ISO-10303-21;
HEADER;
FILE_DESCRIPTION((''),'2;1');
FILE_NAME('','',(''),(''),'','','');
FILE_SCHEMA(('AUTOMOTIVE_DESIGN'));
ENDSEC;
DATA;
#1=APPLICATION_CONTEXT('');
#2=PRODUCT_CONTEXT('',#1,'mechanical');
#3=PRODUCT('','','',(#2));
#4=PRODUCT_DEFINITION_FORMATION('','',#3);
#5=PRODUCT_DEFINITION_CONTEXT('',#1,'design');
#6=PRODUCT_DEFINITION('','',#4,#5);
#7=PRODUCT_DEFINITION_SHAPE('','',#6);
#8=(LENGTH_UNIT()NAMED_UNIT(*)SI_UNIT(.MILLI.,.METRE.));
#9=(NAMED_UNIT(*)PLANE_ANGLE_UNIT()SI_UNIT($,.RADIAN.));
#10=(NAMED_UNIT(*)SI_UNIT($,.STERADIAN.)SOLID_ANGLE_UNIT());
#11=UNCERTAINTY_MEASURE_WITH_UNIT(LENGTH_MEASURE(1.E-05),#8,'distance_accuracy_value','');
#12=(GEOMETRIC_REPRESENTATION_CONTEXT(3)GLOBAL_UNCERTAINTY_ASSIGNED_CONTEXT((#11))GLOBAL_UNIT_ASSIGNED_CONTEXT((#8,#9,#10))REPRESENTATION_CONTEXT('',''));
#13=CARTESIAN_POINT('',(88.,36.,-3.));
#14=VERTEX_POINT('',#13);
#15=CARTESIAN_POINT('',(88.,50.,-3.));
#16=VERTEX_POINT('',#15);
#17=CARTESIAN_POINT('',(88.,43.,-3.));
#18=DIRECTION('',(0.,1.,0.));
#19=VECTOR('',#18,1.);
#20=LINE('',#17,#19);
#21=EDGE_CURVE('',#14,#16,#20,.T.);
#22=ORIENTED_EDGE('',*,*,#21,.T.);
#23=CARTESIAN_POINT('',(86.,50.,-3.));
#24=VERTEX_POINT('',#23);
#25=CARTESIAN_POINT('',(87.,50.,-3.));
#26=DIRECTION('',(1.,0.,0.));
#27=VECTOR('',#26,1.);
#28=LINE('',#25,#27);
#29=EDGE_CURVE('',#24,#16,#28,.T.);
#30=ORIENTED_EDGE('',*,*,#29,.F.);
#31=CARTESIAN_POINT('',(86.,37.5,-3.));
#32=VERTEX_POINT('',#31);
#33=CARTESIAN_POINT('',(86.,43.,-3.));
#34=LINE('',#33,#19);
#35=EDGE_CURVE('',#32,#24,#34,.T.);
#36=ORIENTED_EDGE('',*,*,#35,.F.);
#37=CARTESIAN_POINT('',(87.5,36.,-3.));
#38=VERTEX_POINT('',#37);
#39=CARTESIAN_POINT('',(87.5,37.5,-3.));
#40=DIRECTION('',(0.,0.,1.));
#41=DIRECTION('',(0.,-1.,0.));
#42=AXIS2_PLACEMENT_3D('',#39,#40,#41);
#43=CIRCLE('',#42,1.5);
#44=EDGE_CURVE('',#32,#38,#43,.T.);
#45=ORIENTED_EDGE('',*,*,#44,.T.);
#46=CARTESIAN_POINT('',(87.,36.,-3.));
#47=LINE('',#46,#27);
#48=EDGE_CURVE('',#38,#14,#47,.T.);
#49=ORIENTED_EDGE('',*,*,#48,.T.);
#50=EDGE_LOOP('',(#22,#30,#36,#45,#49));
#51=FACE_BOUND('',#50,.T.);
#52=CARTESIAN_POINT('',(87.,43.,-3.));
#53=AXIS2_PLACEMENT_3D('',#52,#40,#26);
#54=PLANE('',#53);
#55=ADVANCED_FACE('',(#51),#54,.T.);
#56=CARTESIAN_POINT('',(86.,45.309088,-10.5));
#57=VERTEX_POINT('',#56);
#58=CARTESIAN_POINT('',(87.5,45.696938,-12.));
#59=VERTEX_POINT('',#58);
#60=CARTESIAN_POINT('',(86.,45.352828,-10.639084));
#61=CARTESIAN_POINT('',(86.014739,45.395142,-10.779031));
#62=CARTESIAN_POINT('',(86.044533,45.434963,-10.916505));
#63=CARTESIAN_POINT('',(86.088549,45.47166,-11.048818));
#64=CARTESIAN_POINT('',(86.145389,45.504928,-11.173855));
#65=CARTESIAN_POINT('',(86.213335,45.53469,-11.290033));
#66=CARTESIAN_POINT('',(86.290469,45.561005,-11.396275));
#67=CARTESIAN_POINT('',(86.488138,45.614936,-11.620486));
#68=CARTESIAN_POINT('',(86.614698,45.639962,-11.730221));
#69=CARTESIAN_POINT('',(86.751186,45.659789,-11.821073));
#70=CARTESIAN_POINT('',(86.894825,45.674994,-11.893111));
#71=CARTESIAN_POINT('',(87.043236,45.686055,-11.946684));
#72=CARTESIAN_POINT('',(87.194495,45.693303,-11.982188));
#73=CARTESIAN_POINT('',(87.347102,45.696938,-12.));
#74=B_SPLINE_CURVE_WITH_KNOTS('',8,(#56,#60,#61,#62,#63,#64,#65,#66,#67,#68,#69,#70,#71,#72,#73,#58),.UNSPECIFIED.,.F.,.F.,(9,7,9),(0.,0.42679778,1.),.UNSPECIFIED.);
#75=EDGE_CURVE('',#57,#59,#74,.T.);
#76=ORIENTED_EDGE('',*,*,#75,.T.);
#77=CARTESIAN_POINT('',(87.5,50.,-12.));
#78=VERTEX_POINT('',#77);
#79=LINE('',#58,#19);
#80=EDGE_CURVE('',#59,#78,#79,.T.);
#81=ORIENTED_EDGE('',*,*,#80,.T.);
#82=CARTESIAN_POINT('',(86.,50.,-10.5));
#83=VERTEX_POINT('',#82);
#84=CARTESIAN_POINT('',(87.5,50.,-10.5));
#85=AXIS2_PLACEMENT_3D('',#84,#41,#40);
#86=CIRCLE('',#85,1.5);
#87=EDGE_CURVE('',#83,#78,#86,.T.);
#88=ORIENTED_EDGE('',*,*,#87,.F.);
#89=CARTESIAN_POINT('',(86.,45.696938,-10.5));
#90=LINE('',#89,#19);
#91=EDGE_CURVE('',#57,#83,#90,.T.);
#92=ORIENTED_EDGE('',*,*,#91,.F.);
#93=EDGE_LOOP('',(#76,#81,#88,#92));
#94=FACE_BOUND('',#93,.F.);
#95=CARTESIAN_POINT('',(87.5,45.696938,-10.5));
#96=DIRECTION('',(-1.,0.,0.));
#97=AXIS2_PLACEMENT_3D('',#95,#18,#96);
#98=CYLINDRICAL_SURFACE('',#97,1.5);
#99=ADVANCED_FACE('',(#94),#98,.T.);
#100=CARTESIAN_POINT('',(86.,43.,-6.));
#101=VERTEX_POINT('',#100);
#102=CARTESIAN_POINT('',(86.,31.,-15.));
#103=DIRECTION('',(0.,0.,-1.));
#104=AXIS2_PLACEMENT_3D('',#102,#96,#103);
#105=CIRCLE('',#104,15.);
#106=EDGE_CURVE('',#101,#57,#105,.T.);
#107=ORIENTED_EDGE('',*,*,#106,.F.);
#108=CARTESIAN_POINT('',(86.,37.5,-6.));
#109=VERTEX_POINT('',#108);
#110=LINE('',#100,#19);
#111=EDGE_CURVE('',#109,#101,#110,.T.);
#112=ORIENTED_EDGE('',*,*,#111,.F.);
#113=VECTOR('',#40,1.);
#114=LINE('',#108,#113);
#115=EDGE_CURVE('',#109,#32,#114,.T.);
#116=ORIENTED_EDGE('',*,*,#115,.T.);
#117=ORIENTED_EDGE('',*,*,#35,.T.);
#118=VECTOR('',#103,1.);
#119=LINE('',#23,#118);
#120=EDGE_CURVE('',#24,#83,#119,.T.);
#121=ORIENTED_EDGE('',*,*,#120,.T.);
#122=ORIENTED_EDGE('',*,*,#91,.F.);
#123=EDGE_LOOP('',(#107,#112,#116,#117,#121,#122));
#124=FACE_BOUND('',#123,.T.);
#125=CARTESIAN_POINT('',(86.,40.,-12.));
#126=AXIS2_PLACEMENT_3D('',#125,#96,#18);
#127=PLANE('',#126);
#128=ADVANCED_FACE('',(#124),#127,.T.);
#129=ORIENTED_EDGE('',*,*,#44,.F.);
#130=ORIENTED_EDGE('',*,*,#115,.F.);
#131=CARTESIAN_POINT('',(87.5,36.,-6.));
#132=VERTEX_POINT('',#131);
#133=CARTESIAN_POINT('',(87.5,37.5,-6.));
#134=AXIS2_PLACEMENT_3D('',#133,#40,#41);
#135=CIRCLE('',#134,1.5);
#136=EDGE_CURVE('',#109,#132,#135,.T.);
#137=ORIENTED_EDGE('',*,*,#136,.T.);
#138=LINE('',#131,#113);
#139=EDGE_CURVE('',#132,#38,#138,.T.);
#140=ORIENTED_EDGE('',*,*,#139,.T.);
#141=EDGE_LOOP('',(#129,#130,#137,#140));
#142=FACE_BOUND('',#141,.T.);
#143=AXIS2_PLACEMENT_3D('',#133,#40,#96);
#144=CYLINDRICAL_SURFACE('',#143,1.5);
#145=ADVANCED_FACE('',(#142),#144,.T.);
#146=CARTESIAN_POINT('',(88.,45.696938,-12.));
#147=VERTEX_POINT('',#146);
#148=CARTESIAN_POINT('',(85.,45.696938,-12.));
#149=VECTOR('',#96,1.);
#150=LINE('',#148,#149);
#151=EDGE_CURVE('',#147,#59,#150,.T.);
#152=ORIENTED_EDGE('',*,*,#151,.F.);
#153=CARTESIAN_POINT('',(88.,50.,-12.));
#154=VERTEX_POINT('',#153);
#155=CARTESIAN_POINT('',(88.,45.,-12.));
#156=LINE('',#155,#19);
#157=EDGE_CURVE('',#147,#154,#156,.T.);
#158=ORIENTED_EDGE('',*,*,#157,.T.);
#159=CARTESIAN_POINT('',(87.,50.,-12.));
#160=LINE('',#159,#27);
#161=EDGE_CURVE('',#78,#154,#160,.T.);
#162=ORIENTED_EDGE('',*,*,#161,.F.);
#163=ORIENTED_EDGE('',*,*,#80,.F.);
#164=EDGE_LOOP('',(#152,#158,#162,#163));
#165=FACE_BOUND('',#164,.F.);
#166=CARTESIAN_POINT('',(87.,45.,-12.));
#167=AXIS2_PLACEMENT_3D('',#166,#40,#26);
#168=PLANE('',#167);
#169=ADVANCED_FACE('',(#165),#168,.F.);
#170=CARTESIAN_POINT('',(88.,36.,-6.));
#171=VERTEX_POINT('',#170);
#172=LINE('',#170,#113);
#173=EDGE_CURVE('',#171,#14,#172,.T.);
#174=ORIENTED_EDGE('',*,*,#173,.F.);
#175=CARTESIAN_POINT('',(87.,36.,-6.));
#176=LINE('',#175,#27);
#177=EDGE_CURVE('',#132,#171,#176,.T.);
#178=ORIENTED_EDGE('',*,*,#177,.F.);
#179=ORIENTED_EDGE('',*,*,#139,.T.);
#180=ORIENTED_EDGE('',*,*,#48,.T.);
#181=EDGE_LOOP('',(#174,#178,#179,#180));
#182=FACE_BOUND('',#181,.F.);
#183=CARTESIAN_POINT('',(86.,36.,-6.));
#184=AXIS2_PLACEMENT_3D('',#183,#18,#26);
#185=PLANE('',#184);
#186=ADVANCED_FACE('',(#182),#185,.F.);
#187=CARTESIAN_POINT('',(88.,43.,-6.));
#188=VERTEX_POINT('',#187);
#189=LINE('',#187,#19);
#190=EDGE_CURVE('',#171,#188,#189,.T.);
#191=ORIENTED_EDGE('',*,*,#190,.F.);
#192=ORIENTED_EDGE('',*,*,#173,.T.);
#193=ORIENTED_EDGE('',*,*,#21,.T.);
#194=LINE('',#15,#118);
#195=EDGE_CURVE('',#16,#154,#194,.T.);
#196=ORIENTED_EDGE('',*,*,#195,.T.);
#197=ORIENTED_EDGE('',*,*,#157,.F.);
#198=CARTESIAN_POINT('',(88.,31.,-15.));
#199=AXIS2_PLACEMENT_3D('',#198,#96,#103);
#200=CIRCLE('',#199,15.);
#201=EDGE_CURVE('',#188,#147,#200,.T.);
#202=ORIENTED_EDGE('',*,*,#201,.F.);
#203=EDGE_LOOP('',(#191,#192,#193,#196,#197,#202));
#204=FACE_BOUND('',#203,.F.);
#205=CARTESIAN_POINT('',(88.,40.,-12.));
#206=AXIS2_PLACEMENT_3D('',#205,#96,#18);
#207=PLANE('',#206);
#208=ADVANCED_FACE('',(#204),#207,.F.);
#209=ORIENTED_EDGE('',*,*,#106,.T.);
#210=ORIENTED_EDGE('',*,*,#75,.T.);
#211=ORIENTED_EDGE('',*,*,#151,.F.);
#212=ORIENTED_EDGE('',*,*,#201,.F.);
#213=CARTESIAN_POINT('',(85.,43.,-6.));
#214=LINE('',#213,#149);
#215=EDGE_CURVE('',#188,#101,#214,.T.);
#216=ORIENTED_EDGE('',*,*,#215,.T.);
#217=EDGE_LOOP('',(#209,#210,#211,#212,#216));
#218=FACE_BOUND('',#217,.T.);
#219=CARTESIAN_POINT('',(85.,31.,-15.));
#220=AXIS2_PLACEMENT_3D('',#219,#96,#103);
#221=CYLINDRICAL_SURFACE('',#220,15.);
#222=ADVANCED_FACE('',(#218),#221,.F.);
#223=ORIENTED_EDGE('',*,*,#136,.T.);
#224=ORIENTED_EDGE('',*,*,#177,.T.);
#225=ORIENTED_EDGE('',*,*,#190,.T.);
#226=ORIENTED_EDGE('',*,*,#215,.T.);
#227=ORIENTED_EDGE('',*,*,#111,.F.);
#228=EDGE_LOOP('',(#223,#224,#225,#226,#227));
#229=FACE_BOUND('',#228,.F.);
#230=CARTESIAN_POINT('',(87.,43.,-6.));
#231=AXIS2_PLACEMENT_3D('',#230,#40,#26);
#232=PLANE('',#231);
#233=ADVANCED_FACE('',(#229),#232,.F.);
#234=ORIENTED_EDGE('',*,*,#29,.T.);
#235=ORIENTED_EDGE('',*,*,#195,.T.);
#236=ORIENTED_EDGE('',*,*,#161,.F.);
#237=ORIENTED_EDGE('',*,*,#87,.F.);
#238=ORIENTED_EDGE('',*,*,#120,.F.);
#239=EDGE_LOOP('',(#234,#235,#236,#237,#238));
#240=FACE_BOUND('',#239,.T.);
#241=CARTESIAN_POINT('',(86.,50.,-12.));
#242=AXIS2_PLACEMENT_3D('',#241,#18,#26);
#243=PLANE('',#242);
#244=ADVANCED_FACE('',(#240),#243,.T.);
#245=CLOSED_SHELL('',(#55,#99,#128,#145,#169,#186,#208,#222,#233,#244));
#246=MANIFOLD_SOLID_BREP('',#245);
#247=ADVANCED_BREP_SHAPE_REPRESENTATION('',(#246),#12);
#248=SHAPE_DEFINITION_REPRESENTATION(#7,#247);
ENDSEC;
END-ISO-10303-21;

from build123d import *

# Parameters (mm, degrees)
CYLINDER099_R     = 15
CYLINDER099_DEPTH = 4
BOX253_W          = 2
BOX253_H          = 10
BOX253_DEPTH      = 6
BOX252_W          = 2
BOX252_H          = 14
BOX252_DEPTH      = 3
FILLET065_R       = 1.5


with BuildPart() as cylinder179:
    # Cylinder099 → Cylinder099 (new body)
    with BuildSketch(Plane(origin=(85, 31, -15), x_dir=(0, 0, -1), z_dir=(1, 0, 0))):
        Circle(CYLINDER099_R)
    extrude(amount=CYLINDER099_DEPTH)


with BuildPart() as cut131:
    # Box253 → Box253 (new body)
    with BuildSketch(Plane(origin=(86, 40, -12), x_dir=(1, 0, 0), z_dir=(0, 0, 1))):
        with Locations((1, 5)):
            Rectangle(BOX253_W, BOX253_H)
    extrude(amount=BOX253_DEPTH)

    # Cut131: cut Cylinder179
    add(cylinder179.part, mode=Mode.SUBTRACT)


with BuildPart() as fillet065:
    # Box252 → Box252 (new body)
    with BuildSketch(Plane(origin=(86, 36, -6), x_dir=(1, 0, 0), z_dir=(0, 0, 1))):
        with Locations((1, 7)):
            Rectangle(BOX252_W, BOX252_H)
    extrude(amount=BOX252_DEPTH)

    # Fusion079: union Cut131
    add(cut131.part)

    # Fillet065
    fillet065_edges = [fillet065.edges().sort_by_distance(p)[0] for p in [
        (86, 36, -4.5),
        (86, 47.848469, -12),
    ]]
    fillet(fillet065_edges, radius=FILLET065_R)


solid = fillet065.part
